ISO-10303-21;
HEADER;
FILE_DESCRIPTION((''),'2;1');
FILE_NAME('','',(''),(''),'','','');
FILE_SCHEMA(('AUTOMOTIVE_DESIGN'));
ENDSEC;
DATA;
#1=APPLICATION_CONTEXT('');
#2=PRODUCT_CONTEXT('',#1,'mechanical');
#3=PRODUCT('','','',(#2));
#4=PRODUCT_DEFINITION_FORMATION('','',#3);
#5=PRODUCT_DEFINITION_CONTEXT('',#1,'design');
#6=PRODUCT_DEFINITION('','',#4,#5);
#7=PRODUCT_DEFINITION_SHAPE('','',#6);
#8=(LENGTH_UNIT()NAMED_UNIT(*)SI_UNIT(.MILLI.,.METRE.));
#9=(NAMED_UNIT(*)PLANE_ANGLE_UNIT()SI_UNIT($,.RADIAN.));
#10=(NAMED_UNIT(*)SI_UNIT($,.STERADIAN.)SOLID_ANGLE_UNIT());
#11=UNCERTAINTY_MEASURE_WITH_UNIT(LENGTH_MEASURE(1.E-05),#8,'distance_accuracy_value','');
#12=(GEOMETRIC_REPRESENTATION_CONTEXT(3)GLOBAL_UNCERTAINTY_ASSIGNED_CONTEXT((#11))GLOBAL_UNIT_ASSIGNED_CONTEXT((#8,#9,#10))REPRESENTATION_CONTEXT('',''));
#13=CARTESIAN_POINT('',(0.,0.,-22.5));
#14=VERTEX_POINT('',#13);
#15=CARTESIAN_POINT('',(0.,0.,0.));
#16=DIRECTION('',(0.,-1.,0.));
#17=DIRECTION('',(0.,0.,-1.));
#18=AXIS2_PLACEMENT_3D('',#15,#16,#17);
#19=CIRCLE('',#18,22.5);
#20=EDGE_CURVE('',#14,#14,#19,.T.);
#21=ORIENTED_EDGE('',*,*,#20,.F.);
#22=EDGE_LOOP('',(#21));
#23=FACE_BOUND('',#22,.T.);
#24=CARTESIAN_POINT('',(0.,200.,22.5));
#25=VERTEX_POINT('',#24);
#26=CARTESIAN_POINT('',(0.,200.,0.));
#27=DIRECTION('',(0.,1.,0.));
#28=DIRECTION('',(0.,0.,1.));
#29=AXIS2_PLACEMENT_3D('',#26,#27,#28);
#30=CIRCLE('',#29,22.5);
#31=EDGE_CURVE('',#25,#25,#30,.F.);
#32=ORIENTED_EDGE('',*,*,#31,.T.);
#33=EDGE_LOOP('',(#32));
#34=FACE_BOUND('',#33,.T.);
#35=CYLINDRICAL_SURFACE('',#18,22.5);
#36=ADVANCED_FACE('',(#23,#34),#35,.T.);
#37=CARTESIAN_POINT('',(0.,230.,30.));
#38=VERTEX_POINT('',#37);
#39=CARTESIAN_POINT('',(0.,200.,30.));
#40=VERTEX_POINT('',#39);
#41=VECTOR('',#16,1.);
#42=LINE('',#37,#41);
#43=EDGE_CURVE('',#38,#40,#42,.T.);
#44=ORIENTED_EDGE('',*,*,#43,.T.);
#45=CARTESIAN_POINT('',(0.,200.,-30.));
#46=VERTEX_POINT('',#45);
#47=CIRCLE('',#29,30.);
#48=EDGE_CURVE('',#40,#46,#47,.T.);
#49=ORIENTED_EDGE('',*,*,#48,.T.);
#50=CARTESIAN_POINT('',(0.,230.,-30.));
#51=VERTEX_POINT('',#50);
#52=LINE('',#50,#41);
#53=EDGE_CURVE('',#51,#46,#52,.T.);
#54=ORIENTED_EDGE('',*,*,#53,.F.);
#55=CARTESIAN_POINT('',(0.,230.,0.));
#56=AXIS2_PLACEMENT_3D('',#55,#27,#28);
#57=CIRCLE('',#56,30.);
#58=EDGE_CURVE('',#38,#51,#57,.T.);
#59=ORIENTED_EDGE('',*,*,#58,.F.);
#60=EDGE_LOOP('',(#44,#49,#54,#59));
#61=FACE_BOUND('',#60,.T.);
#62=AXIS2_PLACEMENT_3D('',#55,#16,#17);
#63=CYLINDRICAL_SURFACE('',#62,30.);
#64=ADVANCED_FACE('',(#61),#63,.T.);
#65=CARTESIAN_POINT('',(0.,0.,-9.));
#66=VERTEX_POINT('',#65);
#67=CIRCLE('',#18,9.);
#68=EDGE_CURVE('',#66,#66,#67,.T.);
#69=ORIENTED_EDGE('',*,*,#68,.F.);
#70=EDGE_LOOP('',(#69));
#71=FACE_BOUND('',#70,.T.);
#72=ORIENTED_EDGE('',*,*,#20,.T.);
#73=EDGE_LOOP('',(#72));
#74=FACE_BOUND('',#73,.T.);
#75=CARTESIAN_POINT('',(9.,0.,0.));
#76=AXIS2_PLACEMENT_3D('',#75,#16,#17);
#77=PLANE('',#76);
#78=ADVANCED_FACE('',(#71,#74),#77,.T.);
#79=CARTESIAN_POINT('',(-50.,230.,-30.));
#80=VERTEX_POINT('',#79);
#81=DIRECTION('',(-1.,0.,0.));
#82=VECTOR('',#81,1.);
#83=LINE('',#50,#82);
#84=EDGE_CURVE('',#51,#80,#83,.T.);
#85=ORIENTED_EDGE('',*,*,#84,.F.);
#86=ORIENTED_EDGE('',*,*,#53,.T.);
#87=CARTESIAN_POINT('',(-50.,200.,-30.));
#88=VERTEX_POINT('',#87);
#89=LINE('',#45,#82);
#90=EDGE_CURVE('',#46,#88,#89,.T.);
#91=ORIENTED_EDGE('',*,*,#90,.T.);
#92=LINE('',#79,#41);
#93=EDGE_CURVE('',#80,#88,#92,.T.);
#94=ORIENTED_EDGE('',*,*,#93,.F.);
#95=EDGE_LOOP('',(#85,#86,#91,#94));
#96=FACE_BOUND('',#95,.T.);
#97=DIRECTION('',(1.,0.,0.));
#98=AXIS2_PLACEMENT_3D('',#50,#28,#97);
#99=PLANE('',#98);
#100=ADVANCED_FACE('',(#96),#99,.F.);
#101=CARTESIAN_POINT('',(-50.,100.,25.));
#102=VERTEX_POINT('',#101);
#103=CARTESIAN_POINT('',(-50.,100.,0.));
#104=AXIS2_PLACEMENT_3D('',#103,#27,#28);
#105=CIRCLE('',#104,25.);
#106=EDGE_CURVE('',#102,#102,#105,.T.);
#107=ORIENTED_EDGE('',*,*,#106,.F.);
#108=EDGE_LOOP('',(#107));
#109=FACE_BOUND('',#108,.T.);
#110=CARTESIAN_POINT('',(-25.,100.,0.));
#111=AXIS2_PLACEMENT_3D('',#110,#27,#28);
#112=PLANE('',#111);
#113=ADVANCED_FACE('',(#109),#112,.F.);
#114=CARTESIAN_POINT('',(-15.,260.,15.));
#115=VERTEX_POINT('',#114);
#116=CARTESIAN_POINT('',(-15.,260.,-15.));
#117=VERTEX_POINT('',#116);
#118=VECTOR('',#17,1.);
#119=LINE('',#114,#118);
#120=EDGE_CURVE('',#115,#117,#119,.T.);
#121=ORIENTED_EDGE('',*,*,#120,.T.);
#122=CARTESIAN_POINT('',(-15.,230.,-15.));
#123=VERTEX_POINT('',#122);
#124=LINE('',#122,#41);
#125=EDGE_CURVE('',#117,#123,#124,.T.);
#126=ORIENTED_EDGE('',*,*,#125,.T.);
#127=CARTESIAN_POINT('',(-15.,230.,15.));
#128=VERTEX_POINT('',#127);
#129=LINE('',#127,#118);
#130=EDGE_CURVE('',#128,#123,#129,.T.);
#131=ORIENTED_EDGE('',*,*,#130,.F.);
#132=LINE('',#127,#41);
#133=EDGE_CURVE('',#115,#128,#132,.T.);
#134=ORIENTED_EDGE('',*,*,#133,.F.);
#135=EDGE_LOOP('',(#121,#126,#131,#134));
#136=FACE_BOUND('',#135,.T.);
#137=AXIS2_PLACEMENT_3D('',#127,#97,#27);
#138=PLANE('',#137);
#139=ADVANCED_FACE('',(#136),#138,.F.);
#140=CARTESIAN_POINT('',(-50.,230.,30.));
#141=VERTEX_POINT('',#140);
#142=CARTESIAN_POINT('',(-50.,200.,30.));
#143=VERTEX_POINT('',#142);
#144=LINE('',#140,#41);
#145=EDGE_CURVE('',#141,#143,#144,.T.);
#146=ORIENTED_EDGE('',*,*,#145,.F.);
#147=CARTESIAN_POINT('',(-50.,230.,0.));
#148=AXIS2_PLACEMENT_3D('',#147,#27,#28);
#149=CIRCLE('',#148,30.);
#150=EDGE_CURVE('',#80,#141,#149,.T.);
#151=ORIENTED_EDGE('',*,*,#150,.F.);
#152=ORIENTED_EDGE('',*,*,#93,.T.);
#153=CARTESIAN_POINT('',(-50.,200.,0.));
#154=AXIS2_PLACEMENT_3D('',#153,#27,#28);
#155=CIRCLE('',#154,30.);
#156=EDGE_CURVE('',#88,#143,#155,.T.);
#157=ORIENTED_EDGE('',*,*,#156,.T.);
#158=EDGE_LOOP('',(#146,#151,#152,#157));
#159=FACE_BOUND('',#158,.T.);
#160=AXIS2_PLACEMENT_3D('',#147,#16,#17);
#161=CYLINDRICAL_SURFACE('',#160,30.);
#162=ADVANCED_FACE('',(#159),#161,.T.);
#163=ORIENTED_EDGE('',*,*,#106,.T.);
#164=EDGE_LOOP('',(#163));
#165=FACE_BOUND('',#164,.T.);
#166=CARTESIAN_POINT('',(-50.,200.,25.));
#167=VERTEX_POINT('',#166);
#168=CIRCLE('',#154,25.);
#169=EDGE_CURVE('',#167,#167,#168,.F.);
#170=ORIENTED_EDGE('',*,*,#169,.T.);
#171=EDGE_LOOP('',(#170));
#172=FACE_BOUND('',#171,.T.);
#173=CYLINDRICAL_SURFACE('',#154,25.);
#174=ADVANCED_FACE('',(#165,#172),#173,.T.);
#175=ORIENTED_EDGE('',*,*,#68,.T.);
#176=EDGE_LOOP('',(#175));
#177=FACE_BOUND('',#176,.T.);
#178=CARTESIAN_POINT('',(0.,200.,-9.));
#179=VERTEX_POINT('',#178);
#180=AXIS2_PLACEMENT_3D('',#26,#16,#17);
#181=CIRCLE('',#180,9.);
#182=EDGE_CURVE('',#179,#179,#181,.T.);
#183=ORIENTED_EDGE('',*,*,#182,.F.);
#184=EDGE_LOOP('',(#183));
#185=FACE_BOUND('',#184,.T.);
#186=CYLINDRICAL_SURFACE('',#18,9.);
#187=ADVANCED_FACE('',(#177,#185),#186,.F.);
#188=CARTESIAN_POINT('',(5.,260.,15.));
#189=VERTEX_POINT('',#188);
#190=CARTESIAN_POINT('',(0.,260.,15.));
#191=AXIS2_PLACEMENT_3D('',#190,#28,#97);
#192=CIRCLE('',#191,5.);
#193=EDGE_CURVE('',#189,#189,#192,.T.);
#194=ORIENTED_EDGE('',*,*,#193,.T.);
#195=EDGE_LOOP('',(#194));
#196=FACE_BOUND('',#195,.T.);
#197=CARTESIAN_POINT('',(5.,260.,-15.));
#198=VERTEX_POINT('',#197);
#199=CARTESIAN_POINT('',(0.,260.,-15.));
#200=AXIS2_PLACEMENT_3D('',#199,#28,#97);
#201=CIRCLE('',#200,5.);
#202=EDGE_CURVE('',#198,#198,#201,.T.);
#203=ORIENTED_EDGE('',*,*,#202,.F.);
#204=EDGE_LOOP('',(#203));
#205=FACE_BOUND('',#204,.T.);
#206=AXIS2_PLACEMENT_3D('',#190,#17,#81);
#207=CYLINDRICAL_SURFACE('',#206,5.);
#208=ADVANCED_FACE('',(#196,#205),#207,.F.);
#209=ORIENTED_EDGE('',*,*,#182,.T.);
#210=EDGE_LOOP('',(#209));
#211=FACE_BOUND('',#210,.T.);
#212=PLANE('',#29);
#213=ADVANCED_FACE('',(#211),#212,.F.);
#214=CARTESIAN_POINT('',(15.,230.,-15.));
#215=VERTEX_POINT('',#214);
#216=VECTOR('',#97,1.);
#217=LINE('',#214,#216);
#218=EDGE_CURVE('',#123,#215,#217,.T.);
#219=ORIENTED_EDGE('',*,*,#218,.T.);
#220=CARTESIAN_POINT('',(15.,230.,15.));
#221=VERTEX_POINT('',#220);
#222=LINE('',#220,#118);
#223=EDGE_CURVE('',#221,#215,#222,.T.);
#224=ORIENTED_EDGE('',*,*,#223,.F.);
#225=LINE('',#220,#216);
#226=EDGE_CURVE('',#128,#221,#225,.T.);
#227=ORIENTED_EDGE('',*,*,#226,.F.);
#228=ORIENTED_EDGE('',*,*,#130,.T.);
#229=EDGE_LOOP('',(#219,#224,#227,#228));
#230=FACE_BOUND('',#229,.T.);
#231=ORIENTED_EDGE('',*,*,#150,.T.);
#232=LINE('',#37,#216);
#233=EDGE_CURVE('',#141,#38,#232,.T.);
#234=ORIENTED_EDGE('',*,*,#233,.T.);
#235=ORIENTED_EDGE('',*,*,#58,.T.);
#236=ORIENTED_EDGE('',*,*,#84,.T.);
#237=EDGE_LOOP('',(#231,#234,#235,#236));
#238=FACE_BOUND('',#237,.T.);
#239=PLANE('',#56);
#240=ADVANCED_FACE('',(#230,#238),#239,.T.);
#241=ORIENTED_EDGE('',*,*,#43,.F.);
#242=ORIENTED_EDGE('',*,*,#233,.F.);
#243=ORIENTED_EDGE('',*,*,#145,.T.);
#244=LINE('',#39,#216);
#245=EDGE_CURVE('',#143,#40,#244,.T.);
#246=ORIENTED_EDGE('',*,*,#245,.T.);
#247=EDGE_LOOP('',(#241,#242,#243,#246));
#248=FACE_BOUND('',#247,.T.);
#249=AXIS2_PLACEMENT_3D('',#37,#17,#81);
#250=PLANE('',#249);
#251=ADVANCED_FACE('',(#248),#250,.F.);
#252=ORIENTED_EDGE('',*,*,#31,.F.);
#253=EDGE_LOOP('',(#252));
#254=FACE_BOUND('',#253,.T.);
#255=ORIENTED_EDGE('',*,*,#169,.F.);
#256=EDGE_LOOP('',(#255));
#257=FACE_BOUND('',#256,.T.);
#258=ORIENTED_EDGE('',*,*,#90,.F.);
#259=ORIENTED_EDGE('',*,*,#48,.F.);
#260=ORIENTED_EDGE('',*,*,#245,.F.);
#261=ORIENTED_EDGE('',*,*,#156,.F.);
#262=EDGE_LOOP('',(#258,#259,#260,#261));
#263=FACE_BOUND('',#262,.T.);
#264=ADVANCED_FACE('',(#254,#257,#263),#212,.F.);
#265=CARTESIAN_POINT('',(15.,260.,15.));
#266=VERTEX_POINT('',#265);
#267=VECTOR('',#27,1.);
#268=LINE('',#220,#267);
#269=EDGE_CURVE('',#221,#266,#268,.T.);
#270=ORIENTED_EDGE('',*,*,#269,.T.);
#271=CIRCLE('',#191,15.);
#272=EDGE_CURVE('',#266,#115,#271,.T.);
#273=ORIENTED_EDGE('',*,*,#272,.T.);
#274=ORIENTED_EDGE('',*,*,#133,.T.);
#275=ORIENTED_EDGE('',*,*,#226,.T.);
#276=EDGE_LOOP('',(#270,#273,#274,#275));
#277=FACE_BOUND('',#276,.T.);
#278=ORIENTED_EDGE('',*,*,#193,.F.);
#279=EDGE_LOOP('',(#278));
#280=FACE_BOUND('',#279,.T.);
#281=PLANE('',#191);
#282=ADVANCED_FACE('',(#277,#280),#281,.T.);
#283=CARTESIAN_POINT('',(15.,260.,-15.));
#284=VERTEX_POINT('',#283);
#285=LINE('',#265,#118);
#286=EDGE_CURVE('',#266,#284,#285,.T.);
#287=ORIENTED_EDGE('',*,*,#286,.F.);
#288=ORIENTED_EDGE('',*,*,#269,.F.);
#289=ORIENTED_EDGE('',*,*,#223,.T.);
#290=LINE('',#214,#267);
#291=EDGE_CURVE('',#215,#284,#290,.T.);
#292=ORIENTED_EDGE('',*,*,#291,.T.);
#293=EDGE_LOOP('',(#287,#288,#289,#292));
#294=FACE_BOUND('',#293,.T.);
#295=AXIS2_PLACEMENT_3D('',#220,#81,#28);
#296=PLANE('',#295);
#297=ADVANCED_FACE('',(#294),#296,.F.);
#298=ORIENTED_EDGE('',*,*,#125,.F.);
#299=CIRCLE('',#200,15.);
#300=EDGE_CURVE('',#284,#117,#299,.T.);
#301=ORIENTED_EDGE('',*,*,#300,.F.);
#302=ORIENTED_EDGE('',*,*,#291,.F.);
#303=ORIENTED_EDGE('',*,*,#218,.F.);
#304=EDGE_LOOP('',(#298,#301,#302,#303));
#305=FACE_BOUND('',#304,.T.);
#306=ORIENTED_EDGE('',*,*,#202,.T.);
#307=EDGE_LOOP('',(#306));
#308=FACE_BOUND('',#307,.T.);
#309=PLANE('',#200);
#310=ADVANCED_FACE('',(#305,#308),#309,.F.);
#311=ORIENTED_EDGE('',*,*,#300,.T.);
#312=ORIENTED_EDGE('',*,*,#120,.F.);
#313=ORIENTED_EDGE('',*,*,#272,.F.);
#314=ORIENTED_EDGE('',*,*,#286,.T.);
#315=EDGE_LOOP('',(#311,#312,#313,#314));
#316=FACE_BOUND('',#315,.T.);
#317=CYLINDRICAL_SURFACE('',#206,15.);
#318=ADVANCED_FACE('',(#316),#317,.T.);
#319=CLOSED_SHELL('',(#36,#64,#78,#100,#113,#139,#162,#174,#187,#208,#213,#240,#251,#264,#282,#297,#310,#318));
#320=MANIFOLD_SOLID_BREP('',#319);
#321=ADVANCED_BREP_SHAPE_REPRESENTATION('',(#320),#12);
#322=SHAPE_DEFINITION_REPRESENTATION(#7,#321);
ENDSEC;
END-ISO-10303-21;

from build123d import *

# Parameters (mm, degrees)
ESBO_O1_W                = 13.5
ESBO_O1_H                = 200
RESSALTO_EXTRUS_O1_DEPTH = 30
ESBO_O3_W                = 25
ESBO_O3_H                = 100
ESBO_O4_R                = 5
RESSALTO_EXTRUS_O2_DEPTH = 15


with BuildPart() as part:
    # Esboço1 → Revolução1 (revolve)
    with BuildSketch(Plane.XY):
        with Locations((15.75, 100)):
            Rectangle(ESBO_O1_W, ESBO_O1_H)
    revolve(axis=Axis((0, 0, 0), (0, 1, 0)))

    # Esboço2 → Ressalto-extrusão1 (add)
    with BuildSketch(Plane(origin=(0, 200, 0), x_dir=(1, 0, 0), z_dir=(0, 1, 0))):
        with BuildLine():
            Line((0, -30), (-50, -30))
            ThreePointArc((-50, -30), (-80, 0), (-50, 30))
            Line((-50, 30), (0, 30))
            ThreePointArc((0, 30), (30, 0), (0, -30))
        make_face()
    extrude(amount=RESSALTO_EXTRUS_O1_DEPTH)

    # Esboço3 → Revolução2 (revolve)
    with BuildSketch(Plane.XY):
        with Locations((-37.5, 150)):
            Rectangle(ESBO_O3_W, ESBO_O3_H)
    revolve(axis=Axis((-50, 200, 0), (0, -1, 0)))

    # Esboço4 → Ressalto-extrusão2 (add, symmetric)
    with BuildSketch(Plane.XY):
        with BuildLine():
            Line((15, 230), (15, 260))
            ThreePointArc((15, 260), (0, 275), (-15, 260))
            Line((-15, 260), (-15, 230))
            Line((-15, 230), (15, 230))
        make_face()
        with Locations((0, 260)):
            Circle(ESBO_O4_R, mode=Mode.SUBTRACT)
    extrude(amount=RESSALTO_EXTRUS_O2_DEPTH, both=True)


solid = part.part
